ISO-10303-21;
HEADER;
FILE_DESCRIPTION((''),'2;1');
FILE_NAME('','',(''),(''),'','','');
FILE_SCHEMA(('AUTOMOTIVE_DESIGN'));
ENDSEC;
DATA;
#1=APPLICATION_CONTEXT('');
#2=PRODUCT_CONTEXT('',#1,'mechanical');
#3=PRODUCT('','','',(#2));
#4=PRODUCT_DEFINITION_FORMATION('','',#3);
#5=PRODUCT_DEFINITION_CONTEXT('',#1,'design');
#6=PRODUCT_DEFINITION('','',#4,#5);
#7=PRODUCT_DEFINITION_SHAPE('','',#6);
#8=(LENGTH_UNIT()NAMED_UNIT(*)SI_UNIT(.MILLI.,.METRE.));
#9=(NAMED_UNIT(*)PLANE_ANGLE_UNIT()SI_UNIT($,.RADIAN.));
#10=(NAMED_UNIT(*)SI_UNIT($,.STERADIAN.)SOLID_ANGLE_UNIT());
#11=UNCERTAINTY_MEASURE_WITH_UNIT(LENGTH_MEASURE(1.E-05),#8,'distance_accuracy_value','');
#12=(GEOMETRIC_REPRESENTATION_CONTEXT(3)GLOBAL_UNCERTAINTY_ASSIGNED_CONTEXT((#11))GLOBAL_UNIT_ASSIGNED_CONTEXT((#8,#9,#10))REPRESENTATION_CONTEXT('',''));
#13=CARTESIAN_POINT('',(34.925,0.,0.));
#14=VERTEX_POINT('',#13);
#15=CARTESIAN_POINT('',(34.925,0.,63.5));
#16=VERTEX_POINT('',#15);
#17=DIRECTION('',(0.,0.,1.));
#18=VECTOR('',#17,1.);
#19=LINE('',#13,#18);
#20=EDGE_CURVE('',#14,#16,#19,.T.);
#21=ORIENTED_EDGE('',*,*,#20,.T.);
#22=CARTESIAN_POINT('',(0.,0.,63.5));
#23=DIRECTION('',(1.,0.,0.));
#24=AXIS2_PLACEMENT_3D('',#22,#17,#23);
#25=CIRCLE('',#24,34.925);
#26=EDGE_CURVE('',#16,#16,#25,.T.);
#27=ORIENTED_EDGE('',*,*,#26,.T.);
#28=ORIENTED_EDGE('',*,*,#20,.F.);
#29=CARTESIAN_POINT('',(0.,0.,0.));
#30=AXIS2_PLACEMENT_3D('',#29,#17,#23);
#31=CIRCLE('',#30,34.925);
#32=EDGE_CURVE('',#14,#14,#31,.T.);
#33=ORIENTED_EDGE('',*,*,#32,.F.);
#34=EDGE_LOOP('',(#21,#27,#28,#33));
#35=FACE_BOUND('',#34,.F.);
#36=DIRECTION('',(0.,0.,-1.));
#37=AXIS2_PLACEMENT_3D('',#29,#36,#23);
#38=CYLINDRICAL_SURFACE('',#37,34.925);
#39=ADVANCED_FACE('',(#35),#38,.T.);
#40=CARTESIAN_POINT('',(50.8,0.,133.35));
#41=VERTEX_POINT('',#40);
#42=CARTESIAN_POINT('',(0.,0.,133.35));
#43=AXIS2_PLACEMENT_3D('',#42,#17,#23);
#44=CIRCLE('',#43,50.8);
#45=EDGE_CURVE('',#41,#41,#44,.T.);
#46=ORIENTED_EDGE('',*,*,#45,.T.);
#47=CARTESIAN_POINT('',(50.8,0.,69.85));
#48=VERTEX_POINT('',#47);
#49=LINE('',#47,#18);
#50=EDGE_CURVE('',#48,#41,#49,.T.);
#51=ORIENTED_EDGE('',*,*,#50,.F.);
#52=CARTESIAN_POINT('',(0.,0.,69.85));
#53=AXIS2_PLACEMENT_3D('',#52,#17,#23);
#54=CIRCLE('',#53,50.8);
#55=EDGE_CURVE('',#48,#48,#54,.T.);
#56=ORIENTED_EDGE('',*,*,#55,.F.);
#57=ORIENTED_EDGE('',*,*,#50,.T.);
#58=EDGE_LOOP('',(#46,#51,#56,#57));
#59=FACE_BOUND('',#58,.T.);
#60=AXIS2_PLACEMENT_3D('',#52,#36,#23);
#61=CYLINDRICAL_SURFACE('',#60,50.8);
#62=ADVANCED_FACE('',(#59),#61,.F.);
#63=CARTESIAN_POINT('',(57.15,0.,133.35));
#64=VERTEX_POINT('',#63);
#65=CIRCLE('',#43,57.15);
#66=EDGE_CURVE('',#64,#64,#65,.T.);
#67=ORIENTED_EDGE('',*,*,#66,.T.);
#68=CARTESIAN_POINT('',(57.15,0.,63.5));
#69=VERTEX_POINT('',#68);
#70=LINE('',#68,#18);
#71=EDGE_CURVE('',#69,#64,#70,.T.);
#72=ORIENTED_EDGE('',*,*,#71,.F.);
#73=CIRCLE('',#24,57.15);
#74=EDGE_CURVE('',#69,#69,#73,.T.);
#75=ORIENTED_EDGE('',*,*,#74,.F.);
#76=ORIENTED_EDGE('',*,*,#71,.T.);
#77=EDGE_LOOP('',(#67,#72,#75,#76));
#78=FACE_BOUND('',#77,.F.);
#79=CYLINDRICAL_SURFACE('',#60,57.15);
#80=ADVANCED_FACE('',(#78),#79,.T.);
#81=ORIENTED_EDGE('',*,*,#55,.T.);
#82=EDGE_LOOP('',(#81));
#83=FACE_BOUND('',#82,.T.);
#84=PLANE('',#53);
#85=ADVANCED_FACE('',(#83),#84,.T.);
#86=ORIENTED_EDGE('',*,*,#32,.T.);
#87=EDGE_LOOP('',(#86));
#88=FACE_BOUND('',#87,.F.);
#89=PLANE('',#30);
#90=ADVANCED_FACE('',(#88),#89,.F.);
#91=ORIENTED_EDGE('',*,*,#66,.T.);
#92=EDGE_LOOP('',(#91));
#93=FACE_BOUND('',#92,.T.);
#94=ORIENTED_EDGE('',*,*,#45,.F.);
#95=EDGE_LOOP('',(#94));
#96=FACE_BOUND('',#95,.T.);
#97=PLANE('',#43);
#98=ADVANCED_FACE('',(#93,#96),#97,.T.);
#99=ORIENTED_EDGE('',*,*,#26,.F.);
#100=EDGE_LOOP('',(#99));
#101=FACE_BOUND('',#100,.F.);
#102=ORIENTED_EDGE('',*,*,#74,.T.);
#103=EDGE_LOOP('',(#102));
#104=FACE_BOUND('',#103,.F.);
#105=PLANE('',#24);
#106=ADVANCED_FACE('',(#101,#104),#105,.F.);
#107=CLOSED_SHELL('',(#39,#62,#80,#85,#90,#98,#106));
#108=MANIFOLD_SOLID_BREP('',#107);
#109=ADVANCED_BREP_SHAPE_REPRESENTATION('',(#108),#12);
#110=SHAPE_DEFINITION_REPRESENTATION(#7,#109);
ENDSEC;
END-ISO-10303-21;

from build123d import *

# Parameters (mm, degrees)
F0_R     = 34.925
F1_DEPTH = 63.5
F2_R     = 57.15
F2_R_2   = 34.925
F3_DEPTH = 6.35
F4_R     = 57.15
F4_R_2   = 50.8
F5_DEPTH = 63.5


with BuildPart() as f1:
    # F0 (on Top) → F1 (new body)
    with BuildSketch(Plane.XY):
        Circle(F0_R)
    extrude(amount=F1_DEPTH)

    # F2 (on face) → F3 (join)
    with BuildSketch(Plane.XY.offset(63.5)):
        Circle(F2_R)
        Circle(F2_R_2, mode=Mode.SUBTRACT)
        Circle(F2_R_2)
    extrude(amount=F3_DEPTH)

    # F4 (on face) → F5 (join)
    with BuildSketch(Plane.XY.offset(69.85)):
        Circle(F4_R)
        Circle(F4_R_2, mode=Mode.SUBTRACT)
    extrude(amount=F5_DEPTH)


solid = f1.part
